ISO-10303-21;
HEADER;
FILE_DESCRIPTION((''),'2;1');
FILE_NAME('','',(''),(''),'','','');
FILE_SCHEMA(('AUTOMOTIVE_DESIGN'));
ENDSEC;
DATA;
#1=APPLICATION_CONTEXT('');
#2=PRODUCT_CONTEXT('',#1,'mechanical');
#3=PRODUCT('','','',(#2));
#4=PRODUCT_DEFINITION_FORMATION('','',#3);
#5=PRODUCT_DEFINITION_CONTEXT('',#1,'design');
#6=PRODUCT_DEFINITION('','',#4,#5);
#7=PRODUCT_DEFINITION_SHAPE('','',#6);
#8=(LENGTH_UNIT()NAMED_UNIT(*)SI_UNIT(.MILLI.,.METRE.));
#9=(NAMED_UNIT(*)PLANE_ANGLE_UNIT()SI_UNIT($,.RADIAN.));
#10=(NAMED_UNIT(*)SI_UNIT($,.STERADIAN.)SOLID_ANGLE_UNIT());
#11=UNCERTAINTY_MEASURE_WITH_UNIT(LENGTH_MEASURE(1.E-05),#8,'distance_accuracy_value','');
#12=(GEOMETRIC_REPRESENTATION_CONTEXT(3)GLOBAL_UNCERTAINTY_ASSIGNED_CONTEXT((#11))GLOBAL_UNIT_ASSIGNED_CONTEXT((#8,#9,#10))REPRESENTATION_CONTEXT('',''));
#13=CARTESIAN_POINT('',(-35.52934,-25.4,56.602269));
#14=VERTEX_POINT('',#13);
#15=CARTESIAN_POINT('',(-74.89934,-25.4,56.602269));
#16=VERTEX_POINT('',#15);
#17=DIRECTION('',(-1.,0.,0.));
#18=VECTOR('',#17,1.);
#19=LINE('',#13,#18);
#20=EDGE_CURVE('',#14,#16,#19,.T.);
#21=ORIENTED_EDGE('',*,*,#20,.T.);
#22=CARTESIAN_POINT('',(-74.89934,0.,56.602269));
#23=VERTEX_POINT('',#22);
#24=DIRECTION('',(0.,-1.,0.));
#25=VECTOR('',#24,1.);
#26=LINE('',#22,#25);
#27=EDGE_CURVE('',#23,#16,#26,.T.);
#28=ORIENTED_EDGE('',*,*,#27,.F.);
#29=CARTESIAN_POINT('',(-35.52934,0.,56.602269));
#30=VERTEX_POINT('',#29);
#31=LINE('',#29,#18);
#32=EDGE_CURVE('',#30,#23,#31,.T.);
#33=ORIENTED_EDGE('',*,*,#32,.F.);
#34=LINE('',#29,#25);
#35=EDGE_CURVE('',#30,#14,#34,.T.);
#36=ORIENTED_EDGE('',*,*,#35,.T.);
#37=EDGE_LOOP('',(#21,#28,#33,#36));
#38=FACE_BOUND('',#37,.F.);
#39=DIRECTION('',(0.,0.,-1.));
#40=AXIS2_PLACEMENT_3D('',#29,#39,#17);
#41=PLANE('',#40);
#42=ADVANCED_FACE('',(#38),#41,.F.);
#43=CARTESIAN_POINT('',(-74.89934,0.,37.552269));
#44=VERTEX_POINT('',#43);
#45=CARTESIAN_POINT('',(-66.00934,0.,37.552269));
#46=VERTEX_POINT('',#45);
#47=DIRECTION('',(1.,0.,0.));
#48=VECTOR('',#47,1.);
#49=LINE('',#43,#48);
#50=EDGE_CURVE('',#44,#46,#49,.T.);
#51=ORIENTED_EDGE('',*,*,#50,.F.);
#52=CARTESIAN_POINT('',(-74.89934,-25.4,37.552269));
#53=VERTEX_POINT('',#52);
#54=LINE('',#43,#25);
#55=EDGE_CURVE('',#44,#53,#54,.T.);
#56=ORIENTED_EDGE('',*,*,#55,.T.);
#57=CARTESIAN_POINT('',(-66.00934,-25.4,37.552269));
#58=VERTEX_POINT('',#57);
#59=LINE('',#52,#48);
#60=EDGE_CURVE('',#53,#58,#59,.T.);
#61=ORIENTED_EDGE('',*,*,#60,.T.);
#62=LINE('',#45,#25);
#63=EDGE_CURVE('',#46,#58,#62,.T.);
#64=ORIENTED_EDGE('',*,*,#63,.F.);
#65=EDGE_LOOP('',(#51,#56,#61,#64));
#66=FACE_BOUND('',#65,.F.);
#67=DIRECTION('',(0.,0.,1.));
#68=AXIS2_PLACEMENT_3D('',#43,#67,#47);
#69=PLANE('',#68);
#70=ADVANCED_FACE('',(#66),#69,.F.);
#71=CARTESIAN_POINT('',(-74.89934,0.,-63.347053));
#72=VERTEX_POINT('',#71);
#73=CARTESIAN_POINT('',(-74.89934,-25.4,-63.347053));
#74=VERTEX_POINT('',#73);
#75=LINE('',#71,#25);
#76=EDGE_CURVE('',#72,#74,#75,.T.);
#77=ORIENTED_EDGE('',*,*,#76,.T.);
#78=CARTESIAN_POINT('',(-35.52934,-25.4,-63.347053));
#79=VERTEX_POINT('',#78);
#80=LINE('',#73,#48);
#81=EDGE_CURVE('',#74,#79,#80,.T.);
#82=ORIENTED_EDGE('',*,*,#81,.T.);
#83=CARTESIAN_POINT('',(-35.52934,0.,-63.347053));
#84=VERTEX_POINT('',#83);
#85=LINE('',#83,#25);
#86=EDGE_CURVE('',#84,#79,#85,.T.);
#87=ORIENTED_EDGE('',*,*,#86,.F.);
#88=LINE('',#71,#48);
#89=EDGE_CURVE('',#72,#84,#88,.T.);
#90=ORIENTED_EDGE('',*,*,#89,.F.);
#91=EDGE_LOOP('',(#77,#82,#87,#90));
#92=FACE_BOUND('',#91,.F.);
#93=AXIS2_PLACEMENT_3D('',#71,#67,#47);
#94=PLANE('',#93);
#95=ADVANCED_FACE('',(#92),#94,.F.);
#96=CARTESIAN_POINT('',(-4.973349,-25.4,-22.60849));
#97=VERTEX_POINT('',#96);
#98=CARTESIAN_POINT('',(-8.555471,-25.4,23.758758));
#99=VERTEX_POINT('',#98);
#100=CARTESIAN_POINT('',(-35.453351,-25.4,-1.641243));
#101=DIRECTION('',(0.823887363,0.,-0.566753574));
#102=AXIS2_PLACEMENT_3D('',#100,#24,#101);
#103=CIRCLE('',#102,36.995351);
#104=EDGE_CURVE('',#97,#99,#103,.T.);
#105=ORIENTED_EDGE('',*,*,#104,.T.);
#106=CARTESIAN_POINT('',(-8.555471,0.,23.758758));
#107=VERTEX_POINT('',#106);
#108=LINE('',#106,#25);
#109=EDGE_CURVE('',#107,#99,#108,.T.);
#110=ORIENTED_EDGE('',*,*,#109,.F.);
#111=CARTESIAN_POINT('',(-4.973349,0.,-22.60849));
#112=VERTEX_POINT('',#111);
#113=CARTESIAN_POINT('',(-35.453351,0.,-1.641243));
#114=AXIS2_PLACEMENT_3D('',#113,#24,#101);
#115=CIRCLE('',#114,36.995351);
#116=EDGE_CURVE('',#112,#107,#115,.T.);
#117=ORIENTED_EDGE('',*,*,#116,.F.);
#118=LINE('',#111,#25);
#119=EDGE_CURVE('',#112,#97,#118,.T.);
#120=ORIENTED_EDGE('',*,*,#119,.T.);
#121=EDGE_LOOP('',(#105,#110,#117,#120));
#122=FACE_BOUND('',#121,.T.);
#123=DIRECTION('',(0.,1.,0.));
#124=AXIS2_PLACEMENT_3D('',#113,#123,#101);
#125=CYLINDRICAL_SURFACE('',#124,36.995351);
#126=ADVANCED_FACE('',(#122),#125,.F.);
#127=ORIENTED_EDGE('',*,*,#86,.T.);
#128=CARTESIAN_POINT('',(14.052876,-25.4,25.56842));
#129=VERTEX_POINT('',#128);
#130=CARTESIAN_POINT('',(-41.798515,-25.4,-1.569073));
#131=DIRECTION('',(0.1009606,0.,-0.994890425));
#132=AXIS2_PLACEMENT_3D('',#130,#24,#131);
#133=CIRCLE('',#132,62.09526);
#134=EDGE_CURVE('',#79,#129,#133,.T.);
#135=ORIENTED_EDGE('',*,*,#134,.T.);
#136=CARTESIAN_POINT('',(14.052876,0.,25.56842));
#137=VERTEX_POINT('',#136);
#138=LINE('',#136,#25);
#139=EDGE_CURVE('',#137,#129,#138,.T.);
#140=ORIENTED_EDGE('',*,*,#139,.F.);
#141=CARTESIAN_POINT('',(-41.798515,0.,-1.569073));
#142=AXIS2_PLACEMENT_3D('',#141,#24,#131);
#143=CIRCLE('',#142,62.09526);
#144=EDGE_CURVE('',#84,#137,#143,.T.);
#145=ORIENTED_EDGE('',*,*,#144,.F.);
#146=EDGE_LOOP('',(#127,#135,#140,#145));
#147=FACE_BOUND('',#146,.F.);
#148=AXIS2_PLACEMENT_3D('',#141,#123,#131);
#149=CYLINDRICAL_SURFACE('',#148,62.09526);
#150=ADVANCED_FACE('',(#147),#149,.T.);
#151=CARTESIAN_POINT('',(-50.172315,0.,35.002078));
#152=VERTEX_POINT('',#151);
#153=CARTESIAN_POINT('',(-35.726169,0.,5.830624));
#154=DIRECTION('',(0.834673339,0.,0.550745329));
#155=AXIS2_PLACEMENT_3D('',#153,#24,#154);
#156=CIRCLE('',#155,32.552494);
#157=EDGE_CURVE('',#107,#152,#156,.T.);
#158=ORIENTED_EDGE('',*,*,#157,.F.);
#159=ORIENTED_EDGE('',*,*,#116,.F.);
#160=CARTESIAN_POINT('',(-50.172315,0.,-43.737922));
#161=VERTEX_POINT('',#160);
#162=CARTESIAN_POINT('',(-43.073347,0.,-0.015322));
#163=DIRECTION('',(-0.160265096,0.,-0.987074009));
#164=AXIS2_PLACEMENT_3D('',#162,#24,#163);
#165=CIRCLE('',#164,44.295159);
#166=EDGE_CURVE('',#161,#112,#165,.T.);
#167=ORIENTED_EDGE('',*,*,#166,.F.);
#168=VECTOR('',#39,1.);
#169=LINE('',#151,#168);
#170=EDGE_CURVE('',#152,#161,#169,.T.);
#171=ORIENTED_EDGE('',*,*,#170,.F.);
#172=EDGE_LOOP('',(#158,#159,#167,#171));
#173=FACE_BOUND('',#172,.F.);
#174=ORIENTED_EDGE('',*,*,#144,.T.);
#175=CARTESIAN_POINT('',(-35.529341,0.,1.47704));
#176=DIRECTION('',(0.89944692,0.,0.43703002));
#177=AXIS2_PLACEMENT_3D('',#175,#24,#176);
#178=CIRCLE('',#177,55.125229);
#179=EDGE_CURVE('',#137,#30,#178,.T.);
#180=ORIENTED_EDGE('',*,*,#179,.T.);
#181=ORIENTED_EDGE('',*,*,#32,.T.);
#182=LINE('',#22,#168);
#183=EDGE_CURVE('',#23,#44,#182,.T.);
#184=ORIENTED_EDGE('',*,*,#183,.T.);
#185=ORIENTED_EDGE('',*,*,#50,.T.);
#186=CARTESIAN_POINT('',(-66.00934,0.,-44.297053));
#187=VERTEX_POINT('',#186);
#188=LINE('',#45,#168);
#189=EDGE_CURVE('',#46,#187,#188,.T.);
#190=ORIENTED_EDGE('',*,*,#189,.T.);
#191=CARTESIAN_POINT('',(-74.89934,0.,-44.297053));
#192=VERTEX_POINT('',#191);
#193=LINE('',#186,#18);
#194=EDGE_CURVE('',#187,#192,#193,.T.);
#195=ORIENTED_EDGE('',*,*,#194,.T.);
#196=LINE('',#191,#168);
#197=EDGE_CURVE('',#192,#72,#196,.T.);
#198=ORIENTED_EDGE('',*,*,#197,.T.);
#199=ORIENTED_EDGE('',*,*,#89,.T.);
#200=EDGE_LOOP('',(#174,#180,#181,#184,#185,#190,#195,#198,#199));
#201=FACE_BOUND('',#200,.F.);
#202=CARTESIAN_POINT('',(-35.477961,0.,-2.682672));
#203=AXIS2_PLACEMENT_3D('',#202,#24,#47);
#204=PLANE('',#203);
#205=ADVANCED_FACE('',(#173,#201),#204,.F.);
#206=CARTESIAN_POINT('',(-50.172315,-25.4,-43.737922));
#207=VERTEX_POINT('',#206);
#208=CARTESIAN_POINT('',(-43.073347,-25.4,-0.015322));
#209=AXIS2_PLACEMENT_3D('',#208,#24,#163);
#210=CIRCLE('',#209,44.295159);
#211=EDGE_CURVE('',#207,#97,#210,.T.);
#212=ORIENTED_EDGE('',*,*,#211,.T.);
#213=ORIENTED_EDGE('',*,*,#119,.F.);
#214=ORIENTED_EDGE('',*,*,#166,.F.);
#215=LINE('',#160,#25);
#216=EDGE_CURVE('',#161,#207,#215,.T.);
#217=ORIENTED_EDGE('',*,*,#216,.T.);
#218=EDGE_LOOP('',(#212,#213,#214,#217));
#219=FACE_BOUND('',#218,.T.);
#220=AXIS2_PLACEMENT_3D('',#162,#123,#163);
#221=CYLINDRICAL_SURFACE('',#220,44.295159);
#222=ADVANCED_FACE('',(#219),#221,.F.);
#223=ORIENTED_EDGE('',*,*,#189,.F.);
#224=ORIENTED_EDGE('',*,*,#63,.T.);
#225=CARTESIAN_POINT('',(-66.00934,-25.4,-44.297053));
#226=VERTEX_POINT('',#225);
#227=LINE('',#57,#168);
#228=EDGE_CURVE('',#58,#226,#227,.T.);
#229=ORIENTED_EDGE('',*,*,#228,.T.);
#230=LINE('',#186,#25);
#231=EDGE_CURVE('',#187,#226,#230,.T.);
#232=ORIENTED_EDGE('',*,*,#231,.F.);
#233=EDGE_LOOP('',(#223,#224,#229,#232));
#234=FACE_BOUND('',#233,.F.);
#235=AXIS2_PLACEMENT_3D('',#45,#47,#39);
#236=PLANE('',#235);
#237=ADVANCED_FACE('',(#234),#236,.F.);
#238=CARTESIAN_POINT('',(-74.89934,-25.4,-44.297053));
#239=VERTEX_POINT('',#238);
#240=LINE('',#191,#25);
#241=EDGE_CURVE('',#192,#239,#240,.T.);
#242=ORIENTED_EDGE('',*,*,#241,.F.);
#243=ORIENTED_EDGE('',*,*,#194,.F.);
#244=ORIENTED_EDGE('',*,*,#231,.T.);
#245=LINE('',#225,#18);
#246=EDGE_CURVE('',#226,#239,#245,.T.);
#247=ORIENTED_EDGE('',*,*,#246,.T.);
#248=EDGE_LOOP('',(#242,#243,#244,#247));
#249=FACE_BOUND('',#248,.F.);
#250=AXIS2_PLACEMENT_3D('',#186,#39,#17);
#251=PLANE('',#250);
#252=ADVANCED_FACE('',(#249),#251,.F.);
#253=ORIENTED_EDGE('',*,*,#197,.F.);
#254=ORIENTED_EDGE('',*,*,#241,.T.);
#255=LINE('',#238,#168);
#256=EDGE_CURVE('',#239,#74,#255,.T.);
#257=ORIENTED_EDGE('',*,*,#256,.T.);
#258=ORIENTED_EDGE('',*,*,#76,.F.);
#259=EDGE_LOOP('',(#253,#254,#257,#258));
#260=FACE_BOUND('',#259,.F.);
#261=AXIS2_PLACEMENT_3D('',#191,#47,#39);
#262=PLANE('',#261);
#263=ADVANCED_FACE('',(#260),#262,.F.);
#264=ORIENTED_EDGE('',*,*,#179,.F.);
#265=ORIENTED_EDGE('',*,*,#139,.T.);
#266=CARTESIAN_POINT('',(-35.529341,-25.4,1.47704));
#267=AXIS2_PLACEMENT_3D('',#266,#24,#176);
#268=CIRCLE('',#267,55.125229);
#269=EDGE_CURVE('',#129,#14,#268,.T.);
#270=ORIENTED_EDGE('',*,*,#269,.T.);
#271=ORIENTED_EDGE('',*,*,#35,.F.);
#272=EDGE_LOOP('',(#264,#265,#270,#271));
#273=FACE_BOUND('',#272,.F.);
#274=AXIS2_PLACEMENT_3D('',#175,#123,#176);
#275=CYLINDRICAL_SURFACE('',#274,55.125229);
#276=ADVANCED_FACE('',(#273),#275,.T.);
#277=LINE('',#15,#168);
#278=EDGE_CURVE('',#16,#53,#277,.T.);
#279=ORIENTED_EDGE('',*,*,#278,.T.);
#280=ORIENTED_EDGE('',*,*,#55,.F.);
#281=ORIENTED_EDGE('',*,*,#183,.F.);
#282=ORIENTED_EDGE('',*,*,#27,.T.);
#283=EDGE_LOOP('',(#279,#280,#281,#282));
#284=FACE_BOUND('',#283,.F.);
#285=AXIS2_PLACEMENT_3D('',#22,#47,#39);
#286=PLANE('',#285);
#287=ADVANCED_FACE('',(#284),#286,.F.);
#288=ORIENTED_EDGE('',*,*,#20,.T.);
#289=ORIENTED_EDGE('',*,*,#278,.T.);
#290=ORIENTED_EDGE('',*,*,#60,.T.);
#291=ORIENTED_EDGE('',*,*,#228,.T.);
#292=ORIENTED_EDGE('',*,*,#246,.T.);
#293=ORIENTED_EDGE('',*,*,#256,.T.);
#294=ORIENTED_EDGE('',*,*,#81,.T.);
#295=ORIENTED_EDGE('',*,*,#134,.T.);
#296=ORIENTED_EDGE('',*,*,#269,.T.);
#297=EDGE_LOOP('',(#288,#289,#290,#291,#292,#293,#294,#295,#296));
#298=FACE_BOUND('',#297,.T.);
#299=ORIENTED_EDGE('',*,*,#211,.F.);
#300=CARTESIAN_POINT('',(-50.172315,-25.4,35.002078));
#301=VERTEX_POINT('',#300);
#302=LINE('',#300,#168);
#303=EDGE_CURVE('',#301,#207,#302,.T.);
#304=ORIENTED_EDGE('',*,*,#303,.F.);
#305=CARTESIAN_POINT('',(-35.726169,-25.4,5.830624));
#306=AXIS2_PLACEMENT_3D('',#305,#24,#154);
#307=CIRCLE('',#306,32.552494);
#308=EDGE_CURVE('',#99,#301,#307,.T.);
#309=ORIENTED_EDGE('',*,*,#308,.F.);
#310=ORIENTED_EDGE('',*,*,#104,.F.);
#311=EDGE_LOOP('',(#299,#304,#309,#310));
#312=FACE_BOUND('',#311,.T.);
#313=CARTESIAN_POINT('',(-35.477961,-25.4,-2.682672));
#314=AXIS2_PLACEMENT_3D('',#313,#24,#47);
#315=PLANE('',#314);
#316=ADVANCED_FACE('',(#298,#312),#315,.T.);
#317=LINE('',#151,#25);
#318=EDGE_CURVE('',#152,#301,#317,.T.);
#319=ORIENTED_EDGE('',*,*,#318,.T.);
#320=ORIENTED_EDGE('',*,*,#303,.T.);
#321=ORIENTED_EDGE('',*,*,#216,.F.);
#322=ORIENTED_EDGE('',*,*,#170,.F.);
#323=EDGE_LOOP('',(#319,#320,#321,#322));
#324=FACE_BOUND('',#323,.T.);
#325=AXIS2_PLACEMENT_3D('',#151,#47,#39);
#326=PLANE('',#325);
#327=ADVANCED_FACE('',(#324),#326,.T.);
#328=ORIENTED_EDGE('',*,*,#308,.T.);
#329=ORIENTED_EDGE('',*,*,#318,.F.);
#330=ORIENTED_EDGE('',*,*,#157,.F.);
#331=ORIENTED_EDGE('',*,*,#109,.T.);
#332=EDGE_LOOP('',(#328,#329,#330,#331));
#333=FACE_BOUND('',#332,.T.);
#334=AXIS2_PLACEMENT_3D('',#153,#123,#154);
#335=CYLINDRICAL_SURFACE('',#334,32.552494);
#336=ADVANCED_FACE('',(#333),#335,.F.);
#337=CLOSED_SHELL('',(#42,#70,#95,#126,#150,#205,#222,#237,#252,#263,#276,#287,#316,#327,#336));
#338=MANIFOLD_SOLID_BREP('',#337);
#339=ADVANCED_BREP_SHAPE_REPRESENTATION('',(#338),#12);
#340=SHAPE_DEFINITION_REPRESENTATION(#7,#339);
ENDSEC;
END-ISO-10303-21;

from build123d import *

# Parameters (mm, degrees)
F2_DEPTH = 25.4
F3_DEPTH = 25.4


with BuildPart() as f2:
    # F0 (on Front) → F2 (new body)
    with BuildSketch(Plane.XZ):
        with BuildLine():
            Line((-35.52934, 56.602269), (-54.57934, 56.602269))
            Line((-54.57934, 56.602269), (-74.89934, 56.602269))
            Line((-74.89934, 56.602269), (-74.89934, 37.552269))
            Line((-74.89934, 37.552269), (-66.00934, 37.552269))
            Line((-66.00934, 37.552269), (-66.00934, -44.297053))
            Line((-66.00934, -44.297053), (-74.89934, -44.297053))
            Line((-74.89934, -44.297053), (-74.89934, -63.347053))
            Line((-74.89934, -63.347053), (-54.57934, -63.347053))
            Line((-54.57934, -63.347053), (-35.52934, -63.347053))
            ThreePointArc((-35.52934, -63.347053), (12.434607, -31.81126), (14.052876, 25.56842))
            ThreePointArc((14.052876, 25.56842), (-6.282563, 48.204086), (-35.52934, 56.602269))
        make_face()
    extrude(amount=F2_DEPTH)

    # F1 (on face) → F3 (cut)
    with BuildSketch(Plane.XZ):
        with BuildLine():
            ThreePointArc((-8.555471, 23.758758), (-27.23608, 37.256461), (-50.172315, 35.002078))
            Line((-50.172315, 35.002078), (-50.172315, -43.737922))
            ThreePointArc((-50.172315, -43.737922), (-24.314904, -40.142394), (-4.973349, -22.60849))
            ThreePointArc((-4.973349, -22.60849), (1.43209, 1.208358), (-8.555471, 23.758758))
        make_face()
    extrude(amount=F3_DEPTH, mode=Mode.SUBTRACT)


solid = f2.part
